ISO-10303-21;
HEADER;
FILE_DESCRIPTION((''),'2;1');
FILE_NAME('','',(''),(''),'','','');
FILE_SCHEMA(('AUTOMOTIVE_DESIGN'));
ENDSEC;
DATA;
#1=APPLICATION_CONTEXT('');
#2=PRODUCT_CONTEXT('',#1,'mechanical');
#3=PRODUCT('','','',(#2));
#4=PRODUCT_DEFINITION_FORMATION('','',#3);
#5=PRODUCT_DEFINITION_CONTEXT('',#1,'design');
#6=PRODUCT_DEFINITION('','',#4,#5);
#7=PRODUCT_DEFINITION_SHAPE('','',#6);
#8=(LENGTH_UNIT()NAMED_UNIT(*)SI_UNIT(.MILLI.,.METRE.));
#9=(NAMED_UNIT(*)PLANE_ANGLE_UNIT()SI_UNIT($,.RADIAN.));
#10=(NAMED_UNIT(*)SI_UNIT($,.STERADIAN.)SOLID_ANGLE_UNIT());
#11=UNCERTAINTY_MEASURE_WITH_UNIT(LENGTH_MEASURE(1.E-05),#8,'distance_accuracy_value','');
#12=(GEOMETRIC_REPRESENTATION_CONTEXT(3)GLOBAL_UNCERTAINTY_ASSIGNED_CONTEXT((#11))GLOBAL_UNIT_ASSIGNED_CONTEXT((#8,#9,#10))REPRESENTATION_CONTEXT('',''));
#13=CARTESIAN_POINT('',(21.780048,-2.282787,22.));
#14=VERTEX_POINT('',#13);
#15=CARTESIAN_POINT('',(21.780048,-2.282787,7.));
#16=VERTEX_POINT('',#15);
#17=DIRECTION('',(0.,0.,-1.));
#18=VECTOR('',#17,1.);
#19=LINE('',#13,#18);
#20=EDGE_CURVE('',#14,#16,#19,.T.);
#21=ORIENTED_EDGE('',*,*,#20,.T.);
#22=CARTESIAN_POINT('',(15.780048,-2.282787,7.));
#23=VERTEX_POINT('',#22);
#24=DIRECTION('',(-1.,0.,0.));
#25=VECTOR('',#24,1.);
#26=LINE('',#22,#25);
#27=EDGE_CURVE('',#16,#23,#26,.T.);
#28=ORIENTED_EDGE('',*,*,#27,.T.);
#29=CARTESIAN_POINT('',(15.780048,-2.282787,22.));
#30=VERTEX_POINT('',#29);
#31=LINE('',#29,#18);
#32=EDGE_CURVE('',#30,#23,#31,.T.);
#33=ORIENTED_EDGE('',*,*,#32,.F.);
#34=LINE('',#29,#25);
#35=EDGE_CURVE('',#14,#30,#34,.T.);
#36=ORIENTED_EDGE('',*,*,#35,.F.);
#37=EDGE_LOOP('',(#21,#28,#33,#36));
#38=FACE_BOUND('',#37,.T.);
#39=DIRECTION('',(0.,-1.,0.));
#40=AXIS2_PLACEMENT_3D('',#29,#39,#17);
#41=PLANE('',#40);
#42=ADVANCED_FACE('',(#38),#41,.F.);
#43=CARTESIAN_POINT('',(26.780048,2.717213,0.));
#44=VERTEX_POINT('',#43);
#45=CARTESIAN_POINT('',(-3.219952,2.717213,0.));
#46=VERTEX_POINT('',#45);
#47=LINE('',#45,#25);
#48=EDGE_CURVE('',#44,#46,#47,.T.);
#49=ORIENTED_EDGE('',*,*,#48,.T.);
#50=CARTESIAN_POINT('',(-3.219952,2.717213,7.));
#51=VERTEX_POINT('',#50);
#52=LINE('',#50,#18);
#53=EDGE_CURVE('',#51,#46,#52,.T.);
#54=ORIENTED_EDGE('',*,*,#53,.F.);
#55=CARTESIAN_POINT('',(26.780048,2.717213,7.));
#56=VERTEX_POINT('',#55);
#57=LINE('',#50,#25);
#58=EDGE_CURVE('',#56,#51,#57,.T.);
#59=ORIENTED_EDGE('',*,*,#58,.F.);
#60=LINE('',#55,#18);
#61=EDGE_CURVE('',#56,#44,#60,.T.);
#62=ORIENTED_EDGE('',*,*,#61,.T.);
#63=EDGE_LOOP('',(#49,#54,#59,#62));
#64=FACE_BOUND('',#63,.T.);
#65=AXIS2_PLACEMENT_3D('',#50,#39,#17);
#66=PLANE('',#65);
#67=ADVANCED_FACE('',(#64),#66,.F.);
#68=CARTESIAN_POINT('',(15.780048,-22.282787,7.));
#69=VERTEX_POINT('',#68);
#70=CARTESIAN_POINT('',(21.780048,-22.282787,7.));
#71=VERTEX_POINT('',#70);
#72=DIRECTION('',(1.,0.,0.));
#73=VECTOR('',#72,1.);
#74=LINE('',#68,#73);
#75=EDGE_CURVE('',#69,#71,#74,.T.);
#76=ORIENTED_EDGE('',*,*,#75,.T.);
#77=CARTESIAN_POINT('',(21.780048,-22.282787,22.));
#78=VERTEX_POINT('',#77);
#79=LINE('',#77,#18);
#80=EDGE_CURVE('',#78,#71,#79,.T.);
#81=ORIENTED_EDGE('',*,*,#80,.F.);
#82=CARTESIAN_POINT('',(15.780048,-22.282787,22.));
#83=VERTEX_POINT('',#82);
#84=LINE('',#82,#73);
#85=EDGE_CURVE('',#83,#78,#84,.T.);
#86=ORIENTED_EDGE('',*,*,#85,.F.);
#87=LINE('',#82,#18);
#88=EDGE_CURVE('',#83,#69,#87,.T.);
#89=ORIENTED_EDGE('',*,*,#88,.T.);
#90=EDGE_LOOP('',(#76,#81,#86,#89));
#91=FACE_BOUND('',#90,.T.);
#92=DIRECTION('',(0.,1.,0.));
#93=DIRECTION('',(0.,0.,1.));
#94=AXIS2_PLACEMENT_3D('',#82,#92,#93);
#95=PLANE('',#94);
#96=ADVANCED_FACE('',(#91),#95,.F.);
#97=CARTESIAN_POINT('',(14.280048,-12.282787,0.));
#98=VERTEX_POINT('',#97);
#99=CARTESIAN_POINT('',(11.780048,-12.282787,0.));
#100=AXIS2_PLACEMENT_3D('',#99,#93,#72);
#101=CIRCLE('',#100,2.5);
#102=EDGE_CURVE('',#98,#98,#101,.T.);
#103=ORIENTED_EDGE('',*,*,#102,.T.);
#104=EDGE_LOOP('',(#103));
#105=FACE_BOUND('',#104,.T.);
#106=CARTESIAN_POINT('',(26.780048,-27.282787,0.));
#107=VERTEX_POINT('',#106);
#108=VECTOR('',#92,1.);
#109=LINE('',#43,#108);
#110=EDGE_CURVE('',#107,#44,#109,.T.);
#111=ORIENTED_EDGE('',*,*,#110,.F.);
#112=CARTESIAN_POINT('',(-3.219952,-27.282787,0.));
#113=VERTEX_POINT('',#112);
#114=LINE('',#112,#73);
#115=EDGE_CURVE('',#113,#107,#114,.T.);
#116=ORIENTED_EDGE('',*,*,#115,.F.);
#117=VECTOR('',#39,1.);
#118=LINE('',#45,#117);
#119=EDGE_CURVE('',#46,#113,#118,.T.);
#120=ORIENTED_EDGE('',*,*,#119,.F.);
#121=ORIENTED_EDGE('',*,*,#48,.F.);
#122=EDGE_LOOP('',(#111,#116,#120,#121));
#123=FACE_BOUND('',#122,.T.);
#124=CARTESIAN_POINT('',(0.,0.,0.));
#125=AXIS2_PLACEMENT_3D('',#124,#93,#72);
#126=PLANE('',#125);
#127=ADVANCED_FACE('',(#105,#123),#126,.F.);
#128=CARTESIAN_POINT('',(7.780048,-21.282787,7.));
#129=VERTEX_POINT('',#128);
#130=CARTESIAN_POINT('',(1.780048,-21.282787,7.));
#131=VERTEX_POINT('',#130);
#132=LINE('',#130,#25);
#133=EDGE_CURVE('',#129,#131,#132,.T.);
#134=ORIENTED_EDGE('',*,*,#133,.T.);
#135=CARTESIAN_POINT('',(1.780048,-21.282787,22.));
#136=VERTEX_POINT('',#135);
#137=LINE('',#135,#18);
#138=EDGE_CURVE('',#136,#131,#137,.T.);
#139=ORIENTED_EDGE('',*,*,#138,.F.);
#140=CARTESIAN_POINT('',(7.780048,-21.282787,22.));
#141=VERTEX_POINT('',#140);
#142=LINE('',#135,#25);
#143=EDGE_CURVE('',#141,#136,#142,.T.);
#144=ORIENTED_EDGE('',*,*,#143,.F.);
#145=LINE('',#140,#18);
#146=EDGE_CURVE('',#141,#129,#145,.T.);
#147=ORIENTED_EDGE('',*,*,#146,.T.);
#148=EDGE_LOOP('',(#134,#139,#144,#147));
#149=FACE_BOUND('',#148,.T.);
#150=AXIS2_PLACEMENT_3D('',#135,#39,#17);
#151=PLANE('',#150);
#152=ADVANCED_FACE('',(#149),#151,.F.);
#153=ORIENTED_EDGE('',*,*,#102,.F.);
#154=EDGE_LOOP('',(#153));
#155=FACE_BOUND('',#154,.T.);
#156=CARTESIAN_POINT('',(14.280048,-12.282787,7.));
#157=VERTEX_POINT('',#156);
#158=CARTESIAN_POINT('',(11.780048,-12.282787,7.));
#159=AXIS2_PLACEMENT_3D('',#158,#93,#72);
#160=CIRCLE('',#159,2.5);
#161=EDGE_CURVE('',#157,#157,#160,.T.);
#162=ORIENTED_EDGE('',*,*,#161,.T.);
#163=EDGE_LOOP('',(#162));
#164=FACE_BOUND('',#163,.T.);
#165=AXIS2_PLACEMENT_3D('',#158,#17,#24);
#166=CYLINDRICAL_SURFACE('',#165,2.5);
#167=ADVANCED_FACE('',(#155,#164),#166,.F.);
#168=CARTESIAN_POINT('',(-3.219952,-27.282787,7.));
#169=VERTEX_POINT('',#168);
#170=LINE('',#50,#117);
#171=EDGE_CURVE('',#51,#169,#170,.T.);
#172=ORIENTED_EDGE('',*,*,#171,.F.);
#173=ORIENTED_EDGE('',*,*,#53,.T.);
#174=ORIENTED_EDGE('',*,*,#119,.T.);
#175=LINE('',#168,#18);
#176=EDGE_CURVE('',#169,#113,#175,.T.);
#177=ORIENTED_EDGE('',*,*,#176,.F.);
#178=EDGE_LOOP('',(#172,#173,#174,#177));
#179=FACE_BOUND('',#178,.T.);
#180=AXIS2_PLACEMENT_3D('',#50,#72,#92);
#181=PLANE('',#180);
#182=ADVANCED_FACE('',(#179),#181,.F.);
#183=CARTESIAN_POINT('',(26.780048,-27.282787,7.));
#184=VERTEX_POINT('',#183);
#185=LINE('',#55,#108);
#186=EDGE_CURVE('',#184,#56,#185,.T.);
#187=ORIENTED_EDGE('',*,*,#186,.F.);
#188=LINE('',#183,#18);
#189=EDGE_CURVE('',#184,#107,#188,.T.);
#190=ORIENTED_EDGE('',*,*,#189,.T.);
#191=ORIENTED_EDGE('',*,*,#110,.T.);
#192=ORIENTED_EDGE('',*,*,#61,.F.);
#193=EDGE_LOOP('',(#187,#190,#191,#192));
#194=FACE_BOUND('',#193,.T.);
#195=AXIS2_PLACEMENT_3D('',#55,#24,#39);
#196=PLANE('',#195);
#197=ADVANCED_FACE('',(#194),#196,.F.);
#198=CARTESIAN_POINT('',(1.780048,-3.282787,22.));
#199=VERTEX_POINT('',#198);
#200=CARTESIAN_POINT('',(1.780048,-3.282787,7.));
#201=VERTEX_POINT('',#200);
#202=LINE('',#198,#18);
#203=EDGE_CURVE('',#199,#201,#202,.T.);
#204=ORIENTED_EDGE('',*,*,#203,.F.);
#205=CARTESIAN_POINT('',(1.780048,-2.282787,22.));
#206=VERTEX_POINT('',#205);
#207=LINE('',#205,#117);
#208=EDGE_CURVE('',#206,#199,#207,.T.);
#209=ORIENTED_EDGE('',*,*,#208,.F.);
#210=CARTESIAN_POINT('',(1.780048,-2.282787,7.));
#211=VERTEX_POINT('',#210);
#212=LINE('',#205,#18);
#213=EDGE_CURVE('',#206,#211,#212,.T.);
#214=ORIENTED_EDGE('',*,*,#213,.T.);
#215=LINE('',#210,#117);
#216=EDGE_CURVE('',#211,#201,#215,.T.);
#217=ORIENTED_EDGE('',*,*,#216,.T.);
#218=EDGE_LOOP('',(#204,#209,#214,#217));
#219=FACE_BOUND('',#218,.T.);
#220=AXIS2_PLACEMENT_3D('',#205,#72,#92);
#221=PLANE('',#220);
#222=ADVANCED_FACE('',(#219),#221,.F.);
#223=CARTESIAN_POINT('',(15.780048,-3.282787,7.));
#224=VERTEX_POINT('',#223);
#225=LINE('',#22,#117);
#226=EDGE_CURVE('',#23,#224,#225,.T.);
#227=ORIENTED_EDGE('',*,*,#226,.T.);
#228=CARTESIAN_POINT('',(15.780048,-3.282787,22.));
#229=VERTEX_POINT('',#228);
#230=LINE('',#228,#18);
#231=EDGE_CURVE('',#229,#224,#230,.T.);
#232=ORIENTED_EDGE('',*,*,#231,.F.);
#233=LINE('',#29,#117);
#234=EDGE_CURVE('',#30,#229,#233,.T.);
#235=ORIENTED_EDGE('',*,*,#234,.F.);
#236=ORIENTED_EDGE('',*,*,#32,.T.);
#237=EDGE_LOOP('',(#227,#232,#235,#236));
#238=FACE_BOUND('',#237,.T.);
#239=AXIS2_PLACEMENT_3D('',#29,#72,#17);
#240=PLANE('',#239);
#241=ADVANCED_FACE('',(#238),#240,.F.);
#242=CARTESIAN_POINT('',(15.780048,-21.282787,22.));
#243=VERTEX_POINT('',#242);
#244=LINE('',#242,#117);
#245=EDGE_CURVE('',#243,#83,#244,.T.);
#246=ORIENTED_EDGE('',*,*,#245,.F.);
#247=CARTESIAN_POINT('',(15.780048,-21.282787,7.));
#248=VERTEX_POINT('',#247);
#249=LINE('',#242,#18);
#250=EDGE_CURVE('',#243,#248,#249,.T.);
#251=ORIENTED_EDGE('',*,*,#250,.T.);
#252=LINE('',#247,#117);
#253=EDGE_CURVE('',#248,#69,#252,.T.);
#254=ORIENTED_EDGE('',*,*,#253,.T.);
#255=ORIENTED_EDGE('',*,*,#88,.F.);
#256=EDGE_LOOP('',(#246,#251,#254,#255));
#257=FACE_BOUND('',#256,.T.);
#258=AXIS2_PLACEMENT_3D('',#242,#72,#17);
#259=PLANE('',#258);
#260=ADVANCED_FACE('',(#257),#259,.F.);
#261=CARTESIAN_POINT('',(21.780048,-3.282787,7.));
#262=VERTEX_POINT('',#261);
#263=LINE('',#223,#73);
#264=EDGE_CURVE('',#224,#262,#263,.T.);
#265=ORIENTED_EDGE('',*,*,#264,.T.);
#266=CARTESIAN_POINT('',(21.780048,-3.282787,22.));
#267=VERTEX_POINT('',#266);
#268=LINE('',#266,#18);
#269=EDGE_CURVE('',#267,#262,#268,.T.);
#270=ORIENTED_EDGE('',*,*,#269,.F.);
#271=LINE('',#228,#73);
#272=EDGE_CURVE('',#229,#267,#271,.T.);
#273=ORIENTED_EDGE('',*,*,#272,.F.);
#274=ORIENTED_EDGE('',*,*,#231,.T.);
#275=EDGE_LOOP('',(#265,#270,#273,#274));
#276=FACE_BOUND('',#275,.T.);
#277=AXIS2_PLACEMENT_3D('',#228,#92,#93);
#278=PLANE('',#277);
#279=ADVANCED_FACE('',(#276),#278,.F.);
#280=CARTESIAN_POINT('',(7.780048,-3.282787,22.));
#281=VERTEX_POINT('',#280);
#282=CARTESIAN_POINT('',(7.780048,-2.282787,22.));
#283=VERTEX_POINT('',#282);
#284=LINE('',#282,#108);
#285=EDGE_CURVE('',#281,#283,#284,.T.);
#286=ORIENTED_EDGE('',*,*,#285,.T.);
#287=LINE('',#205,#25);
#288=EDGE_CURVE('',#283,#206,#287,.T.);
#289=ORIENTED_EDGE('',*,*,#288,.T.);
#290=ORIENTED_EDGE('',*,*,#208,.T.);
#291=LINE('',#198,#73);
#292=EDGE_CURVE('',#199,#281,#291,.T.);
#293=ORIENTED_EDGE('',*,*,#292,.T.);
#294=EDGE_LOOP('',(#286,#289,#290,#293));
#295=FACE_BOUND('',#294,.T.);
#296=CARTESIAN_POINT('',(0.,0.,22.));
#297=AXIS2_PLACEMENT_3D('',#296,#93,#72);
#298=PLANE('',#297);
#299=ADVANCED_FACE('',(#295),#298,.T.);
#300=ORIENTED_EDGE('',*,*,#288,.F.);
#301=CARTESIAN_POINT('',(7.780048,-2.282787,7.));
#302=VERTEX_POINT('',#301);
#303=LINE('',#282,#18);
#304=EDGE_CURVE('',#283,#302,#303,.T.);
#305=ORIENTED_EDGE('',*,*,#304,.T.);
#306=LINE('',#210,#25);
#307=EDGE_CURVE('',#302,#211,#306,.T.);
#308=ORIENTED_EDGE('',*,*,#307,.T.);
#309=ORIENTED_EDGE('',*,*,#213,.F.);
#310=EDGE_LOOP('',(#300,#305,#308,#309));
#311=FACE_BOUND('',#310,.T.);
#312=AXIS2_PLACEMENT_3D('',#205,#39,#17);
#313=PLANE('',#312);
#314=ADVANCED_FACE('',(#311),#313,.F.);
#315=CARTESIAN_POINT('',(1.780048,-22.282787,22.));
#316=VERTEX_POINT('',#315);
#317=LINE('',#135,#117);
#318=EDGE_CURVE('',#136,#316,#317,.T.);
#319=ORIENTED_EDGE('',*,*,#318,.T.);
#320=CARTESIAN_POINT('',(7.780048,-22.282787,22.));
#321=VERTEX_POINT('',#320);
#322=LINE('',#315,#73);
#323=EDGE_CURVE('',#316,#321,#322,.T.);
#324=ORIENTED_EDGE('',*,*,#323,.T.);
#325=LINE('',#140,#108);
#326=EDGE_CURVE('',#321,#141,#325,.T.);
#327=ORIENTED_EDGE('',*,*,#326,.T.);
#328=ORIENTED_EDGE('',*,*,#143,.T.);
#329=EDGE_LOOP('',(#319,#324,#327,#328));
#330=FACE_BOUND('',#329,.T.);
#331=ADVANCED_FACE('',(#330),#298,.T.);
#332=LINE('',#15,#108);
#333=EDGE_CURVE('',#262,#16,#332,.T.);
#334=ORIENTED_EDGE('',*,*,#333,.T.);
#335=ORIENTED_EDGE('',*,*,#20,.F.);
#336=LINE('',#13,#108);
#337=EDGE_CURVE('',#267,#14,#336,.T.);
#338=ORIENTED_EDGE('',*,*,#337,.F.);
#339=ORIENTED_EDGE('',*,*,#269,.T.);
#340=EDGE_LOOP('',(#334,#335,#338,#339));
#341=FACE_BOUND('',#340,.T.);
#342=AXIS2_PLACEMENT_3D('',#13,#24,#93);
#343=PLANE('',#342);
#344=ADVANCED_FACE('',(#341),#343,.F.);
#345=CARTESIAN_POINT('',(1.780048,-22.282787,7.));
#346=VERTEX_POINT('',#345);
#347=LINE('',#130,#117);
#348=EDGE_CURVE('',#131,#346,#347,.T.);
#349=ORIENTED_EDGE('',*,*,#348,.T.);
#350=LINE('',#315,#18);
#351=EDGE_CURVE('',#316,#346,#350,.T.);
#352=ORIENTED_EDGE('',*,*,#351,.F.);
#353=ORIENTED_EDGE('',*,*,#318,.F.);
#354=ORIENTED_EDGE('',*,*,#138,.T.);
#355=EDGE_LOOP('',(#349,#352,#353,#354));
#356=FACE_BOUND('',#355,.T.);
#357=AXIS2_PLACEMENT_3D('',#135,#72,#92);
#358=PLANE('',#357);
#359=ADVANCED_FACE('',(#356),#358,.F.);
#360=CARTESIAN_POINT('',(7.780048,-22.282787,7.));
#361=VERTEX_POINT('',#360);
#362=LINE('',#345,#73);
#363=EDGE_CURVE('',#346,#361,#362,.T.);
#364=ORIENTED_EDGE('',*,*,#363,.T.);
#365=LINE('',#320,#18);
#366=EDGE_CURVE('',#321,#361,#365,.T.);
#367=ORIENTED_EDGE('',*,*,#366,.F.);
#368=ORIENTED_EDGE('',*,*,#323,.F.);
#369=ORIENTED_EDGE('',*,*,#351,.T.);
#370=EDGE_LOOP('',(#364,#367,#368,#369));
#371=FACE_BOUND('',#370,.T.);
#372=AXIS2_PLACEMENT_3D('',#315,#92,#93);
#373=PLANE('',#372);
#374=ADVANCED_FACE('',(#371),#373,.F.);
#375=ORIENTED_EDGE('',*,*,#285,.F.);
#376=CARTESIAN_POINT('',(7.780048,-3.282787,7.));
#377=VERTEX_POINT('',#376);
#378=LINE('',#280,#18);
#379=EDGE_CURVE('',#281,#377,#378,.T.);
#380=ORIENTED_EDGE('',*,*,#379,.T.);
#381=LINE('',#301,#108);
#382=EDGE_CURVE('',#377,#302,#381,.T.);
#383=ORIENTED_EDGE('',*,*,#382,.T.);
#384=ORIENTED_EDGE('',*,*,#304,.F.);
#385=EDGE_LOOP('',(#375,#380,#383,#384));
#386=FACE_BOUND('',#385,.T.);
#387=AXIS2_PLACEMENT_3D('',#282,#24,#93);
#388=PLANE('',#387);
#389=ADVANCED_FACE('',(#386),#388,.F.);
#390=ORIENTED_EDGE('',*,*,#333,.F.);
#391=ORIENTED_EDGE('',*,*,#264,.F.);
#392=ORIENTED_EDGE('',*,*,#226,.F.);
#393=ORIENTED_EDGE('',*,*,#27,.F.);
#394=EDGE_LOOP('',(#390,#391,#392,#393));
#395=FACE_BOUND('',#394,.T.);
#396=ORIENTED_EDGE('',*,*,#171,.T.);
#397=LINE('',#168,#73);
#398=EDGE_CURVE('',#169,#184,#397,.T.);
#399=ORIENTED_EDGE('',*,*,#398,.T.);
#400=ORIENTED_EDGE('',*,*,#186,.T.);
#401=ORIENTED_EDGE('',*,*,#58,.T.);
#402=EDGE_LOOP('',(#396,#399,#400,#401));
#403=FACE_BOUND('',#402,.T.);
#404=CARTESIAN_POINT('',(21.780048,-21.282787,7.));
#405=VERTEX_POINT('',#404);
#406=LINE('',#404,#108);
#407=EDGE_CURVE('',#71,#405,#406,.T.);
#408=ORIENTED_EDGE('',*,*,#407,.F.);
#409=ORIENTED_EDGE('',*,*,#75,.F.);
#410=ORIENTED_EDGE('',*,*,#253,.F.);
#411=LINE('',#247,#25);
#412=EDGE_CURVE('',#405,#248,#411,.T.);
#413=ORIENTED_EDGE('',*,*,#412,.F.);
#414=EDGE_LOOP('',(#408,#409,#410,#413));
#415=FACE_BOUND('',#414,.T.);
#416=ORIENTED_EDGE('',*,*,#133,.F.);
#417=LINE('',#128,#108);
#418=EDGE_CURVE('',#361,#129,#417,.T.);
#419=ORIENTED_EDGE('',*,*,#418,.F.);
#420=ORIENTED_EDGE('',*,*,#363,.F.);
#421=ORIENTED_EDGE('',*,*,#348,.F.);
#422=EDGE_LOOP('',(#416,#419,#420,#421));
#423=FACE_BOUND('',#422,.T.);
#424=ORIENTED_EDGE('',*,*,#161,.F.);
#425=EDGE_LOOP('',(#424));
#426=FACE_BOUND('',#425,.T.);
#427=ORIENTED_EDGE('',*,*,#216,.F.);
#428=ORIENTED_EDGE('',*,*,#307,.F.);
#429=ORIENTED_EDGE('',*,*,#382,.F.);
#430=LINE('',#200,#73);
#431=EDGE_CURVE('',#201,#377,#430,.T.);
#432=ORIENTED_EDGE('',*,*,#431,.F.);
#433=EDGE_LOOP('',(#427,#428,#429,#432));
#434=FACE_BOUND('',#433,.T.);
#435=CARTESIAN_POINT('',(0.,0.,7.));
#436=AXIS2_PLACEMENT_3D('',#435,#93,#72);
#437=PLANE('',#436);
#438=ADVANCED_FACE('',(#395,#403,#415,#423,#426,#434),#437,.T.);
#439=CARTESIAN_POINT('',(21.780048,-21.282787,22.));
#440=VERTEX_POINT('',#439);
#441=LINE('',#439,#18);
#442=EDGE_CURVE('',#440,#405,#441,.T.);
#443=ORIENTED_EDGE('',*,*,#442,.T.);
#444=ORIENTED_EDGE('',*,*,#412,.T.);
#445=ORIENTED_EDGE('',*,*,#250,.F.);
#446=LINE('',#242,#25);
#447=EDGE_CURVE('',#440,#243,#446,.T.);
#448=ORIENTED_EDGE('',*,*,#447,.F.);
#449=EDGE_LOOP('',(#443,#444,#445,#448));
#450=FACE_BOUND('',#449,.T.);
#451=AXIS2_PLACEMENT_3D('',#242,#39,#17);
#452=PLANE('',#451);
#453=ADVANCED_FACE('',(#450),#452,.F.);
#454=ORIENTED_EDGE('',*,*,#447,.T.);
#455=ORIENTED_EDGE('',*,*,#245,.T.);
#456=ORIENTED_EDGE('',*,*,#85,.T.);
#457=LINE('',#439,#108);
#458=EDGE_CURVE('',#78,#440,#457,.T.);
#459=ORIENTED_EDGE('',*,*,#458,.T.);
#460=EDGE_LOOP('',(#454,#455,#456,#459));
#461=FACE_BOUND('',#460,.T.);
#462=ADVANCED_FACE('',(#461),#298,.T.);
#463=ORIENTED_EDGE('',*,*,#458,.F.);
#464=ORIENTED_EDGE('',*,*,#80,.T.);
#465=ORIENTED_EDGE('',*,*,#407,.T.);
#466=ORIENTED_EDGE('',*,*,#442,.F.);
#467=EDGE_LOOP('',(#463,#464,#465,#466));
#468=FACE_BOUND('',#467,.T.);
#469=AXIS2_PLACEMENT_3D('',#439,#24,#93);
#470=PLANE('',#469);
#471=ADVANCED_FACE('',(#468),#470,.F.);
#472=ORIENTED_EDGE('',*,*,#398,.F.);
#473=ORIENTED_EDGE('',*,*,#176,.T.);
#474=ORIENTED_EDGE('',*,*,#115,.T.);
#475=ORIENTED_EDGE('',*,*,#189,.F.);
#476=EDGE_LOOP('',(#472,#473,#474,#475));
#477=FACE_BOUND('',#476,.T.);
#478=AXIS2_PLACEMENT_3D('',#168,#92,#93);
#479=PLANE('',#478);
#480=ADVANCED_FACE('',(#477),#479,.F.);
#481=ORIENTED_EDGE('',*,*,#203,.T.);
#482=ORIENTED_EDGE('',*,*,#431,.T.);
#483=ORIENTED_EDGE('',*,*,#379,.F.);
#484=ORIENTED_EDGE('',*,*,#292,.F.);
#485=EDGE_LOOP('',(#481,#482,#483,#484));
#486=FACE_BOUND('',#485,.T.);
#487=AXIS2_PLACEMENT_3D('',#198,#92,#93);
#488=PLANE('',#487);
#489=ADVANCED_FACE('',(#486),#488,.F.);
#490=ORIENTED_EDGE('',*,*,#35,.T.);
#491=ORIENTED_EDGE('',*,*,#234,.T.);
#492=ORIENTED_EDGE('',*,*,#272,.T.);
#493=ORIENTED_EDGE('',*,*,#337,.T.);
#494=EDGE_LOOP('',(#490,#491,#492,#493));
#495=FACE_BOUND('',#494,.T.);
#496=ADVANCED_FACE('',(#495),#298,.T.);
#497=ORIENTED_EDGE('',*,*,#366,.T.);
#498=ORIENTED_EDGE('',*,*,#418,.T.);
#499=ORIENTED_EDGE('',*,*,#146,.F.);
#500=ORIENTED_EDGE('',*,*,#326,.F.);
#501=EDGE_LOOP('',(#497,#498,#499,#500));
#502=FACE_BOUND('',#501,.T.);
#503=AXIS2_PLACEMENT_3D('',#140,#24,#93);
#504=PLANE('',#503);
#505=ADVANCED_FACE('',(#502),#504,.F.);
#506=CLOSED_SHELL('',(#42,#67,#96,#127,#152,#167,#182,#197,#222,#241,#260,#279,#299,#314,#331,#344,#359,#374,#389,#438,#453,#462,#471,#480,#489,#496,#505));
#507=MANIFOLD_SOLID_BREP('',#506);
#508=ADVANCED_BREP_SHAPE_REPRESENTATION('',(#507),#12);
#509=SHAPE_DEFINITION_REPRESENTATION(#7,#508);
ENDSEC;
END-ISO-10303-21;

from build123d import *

# Parameters (mm, degrees)
ESQUISSE1_W        = 30
ESQUISSE1_H        = 30
ESQUISSE1_R        = 2.5
BOSS_EXTRU_1_DEPTH = 7
ESQUISSE2_W        = 6
ESQUISSE2_H        = 1
BOSS_EXTRU_2_DEPTH = 15


with BuildPart() as part:
    # Esquisse1 → Boss.-Extru.1 (new body)
    with BuildSketch(Plane.XY):
        with Locations((11.780048077, -12.282786885)):
            Rectangle(ESQUISSE1_W, ESQUISSE1_H)
        with Locations((11.780048077, -12.282786885)):
            Circle(ESQUISSE1_R, mode=Mode.SUBTRACT)
    extrude(amount=BOSS_EXTRU_1_DEPTH)

    # Esquisse2 → Boss.-Extru.2 (add)
    with BuildSketch(Plane.XY.offset(7)):
        with Locations((4.780048077, -2.782786885)):
            Rectangle(ESQUISSE2_W, ESQUISSE2_H)
        with Locations((18.780048077, -2.782786885)):
            Rectangle(ESQUISSE2_W, ESQUISSE2_H)
        with Locations((4.780048077, -21.782786885)):
            Rectangle(ESQUISSE2_W, ESQUISSE2_H)
        with Locations((18.780048077, -21.782786885)):
            Rectangle(ESQUISSE2_W, ESQUISSE2_H)
    extrude(amount=BOSS_EXTRU_2_DEPTH)


solid = part.part
